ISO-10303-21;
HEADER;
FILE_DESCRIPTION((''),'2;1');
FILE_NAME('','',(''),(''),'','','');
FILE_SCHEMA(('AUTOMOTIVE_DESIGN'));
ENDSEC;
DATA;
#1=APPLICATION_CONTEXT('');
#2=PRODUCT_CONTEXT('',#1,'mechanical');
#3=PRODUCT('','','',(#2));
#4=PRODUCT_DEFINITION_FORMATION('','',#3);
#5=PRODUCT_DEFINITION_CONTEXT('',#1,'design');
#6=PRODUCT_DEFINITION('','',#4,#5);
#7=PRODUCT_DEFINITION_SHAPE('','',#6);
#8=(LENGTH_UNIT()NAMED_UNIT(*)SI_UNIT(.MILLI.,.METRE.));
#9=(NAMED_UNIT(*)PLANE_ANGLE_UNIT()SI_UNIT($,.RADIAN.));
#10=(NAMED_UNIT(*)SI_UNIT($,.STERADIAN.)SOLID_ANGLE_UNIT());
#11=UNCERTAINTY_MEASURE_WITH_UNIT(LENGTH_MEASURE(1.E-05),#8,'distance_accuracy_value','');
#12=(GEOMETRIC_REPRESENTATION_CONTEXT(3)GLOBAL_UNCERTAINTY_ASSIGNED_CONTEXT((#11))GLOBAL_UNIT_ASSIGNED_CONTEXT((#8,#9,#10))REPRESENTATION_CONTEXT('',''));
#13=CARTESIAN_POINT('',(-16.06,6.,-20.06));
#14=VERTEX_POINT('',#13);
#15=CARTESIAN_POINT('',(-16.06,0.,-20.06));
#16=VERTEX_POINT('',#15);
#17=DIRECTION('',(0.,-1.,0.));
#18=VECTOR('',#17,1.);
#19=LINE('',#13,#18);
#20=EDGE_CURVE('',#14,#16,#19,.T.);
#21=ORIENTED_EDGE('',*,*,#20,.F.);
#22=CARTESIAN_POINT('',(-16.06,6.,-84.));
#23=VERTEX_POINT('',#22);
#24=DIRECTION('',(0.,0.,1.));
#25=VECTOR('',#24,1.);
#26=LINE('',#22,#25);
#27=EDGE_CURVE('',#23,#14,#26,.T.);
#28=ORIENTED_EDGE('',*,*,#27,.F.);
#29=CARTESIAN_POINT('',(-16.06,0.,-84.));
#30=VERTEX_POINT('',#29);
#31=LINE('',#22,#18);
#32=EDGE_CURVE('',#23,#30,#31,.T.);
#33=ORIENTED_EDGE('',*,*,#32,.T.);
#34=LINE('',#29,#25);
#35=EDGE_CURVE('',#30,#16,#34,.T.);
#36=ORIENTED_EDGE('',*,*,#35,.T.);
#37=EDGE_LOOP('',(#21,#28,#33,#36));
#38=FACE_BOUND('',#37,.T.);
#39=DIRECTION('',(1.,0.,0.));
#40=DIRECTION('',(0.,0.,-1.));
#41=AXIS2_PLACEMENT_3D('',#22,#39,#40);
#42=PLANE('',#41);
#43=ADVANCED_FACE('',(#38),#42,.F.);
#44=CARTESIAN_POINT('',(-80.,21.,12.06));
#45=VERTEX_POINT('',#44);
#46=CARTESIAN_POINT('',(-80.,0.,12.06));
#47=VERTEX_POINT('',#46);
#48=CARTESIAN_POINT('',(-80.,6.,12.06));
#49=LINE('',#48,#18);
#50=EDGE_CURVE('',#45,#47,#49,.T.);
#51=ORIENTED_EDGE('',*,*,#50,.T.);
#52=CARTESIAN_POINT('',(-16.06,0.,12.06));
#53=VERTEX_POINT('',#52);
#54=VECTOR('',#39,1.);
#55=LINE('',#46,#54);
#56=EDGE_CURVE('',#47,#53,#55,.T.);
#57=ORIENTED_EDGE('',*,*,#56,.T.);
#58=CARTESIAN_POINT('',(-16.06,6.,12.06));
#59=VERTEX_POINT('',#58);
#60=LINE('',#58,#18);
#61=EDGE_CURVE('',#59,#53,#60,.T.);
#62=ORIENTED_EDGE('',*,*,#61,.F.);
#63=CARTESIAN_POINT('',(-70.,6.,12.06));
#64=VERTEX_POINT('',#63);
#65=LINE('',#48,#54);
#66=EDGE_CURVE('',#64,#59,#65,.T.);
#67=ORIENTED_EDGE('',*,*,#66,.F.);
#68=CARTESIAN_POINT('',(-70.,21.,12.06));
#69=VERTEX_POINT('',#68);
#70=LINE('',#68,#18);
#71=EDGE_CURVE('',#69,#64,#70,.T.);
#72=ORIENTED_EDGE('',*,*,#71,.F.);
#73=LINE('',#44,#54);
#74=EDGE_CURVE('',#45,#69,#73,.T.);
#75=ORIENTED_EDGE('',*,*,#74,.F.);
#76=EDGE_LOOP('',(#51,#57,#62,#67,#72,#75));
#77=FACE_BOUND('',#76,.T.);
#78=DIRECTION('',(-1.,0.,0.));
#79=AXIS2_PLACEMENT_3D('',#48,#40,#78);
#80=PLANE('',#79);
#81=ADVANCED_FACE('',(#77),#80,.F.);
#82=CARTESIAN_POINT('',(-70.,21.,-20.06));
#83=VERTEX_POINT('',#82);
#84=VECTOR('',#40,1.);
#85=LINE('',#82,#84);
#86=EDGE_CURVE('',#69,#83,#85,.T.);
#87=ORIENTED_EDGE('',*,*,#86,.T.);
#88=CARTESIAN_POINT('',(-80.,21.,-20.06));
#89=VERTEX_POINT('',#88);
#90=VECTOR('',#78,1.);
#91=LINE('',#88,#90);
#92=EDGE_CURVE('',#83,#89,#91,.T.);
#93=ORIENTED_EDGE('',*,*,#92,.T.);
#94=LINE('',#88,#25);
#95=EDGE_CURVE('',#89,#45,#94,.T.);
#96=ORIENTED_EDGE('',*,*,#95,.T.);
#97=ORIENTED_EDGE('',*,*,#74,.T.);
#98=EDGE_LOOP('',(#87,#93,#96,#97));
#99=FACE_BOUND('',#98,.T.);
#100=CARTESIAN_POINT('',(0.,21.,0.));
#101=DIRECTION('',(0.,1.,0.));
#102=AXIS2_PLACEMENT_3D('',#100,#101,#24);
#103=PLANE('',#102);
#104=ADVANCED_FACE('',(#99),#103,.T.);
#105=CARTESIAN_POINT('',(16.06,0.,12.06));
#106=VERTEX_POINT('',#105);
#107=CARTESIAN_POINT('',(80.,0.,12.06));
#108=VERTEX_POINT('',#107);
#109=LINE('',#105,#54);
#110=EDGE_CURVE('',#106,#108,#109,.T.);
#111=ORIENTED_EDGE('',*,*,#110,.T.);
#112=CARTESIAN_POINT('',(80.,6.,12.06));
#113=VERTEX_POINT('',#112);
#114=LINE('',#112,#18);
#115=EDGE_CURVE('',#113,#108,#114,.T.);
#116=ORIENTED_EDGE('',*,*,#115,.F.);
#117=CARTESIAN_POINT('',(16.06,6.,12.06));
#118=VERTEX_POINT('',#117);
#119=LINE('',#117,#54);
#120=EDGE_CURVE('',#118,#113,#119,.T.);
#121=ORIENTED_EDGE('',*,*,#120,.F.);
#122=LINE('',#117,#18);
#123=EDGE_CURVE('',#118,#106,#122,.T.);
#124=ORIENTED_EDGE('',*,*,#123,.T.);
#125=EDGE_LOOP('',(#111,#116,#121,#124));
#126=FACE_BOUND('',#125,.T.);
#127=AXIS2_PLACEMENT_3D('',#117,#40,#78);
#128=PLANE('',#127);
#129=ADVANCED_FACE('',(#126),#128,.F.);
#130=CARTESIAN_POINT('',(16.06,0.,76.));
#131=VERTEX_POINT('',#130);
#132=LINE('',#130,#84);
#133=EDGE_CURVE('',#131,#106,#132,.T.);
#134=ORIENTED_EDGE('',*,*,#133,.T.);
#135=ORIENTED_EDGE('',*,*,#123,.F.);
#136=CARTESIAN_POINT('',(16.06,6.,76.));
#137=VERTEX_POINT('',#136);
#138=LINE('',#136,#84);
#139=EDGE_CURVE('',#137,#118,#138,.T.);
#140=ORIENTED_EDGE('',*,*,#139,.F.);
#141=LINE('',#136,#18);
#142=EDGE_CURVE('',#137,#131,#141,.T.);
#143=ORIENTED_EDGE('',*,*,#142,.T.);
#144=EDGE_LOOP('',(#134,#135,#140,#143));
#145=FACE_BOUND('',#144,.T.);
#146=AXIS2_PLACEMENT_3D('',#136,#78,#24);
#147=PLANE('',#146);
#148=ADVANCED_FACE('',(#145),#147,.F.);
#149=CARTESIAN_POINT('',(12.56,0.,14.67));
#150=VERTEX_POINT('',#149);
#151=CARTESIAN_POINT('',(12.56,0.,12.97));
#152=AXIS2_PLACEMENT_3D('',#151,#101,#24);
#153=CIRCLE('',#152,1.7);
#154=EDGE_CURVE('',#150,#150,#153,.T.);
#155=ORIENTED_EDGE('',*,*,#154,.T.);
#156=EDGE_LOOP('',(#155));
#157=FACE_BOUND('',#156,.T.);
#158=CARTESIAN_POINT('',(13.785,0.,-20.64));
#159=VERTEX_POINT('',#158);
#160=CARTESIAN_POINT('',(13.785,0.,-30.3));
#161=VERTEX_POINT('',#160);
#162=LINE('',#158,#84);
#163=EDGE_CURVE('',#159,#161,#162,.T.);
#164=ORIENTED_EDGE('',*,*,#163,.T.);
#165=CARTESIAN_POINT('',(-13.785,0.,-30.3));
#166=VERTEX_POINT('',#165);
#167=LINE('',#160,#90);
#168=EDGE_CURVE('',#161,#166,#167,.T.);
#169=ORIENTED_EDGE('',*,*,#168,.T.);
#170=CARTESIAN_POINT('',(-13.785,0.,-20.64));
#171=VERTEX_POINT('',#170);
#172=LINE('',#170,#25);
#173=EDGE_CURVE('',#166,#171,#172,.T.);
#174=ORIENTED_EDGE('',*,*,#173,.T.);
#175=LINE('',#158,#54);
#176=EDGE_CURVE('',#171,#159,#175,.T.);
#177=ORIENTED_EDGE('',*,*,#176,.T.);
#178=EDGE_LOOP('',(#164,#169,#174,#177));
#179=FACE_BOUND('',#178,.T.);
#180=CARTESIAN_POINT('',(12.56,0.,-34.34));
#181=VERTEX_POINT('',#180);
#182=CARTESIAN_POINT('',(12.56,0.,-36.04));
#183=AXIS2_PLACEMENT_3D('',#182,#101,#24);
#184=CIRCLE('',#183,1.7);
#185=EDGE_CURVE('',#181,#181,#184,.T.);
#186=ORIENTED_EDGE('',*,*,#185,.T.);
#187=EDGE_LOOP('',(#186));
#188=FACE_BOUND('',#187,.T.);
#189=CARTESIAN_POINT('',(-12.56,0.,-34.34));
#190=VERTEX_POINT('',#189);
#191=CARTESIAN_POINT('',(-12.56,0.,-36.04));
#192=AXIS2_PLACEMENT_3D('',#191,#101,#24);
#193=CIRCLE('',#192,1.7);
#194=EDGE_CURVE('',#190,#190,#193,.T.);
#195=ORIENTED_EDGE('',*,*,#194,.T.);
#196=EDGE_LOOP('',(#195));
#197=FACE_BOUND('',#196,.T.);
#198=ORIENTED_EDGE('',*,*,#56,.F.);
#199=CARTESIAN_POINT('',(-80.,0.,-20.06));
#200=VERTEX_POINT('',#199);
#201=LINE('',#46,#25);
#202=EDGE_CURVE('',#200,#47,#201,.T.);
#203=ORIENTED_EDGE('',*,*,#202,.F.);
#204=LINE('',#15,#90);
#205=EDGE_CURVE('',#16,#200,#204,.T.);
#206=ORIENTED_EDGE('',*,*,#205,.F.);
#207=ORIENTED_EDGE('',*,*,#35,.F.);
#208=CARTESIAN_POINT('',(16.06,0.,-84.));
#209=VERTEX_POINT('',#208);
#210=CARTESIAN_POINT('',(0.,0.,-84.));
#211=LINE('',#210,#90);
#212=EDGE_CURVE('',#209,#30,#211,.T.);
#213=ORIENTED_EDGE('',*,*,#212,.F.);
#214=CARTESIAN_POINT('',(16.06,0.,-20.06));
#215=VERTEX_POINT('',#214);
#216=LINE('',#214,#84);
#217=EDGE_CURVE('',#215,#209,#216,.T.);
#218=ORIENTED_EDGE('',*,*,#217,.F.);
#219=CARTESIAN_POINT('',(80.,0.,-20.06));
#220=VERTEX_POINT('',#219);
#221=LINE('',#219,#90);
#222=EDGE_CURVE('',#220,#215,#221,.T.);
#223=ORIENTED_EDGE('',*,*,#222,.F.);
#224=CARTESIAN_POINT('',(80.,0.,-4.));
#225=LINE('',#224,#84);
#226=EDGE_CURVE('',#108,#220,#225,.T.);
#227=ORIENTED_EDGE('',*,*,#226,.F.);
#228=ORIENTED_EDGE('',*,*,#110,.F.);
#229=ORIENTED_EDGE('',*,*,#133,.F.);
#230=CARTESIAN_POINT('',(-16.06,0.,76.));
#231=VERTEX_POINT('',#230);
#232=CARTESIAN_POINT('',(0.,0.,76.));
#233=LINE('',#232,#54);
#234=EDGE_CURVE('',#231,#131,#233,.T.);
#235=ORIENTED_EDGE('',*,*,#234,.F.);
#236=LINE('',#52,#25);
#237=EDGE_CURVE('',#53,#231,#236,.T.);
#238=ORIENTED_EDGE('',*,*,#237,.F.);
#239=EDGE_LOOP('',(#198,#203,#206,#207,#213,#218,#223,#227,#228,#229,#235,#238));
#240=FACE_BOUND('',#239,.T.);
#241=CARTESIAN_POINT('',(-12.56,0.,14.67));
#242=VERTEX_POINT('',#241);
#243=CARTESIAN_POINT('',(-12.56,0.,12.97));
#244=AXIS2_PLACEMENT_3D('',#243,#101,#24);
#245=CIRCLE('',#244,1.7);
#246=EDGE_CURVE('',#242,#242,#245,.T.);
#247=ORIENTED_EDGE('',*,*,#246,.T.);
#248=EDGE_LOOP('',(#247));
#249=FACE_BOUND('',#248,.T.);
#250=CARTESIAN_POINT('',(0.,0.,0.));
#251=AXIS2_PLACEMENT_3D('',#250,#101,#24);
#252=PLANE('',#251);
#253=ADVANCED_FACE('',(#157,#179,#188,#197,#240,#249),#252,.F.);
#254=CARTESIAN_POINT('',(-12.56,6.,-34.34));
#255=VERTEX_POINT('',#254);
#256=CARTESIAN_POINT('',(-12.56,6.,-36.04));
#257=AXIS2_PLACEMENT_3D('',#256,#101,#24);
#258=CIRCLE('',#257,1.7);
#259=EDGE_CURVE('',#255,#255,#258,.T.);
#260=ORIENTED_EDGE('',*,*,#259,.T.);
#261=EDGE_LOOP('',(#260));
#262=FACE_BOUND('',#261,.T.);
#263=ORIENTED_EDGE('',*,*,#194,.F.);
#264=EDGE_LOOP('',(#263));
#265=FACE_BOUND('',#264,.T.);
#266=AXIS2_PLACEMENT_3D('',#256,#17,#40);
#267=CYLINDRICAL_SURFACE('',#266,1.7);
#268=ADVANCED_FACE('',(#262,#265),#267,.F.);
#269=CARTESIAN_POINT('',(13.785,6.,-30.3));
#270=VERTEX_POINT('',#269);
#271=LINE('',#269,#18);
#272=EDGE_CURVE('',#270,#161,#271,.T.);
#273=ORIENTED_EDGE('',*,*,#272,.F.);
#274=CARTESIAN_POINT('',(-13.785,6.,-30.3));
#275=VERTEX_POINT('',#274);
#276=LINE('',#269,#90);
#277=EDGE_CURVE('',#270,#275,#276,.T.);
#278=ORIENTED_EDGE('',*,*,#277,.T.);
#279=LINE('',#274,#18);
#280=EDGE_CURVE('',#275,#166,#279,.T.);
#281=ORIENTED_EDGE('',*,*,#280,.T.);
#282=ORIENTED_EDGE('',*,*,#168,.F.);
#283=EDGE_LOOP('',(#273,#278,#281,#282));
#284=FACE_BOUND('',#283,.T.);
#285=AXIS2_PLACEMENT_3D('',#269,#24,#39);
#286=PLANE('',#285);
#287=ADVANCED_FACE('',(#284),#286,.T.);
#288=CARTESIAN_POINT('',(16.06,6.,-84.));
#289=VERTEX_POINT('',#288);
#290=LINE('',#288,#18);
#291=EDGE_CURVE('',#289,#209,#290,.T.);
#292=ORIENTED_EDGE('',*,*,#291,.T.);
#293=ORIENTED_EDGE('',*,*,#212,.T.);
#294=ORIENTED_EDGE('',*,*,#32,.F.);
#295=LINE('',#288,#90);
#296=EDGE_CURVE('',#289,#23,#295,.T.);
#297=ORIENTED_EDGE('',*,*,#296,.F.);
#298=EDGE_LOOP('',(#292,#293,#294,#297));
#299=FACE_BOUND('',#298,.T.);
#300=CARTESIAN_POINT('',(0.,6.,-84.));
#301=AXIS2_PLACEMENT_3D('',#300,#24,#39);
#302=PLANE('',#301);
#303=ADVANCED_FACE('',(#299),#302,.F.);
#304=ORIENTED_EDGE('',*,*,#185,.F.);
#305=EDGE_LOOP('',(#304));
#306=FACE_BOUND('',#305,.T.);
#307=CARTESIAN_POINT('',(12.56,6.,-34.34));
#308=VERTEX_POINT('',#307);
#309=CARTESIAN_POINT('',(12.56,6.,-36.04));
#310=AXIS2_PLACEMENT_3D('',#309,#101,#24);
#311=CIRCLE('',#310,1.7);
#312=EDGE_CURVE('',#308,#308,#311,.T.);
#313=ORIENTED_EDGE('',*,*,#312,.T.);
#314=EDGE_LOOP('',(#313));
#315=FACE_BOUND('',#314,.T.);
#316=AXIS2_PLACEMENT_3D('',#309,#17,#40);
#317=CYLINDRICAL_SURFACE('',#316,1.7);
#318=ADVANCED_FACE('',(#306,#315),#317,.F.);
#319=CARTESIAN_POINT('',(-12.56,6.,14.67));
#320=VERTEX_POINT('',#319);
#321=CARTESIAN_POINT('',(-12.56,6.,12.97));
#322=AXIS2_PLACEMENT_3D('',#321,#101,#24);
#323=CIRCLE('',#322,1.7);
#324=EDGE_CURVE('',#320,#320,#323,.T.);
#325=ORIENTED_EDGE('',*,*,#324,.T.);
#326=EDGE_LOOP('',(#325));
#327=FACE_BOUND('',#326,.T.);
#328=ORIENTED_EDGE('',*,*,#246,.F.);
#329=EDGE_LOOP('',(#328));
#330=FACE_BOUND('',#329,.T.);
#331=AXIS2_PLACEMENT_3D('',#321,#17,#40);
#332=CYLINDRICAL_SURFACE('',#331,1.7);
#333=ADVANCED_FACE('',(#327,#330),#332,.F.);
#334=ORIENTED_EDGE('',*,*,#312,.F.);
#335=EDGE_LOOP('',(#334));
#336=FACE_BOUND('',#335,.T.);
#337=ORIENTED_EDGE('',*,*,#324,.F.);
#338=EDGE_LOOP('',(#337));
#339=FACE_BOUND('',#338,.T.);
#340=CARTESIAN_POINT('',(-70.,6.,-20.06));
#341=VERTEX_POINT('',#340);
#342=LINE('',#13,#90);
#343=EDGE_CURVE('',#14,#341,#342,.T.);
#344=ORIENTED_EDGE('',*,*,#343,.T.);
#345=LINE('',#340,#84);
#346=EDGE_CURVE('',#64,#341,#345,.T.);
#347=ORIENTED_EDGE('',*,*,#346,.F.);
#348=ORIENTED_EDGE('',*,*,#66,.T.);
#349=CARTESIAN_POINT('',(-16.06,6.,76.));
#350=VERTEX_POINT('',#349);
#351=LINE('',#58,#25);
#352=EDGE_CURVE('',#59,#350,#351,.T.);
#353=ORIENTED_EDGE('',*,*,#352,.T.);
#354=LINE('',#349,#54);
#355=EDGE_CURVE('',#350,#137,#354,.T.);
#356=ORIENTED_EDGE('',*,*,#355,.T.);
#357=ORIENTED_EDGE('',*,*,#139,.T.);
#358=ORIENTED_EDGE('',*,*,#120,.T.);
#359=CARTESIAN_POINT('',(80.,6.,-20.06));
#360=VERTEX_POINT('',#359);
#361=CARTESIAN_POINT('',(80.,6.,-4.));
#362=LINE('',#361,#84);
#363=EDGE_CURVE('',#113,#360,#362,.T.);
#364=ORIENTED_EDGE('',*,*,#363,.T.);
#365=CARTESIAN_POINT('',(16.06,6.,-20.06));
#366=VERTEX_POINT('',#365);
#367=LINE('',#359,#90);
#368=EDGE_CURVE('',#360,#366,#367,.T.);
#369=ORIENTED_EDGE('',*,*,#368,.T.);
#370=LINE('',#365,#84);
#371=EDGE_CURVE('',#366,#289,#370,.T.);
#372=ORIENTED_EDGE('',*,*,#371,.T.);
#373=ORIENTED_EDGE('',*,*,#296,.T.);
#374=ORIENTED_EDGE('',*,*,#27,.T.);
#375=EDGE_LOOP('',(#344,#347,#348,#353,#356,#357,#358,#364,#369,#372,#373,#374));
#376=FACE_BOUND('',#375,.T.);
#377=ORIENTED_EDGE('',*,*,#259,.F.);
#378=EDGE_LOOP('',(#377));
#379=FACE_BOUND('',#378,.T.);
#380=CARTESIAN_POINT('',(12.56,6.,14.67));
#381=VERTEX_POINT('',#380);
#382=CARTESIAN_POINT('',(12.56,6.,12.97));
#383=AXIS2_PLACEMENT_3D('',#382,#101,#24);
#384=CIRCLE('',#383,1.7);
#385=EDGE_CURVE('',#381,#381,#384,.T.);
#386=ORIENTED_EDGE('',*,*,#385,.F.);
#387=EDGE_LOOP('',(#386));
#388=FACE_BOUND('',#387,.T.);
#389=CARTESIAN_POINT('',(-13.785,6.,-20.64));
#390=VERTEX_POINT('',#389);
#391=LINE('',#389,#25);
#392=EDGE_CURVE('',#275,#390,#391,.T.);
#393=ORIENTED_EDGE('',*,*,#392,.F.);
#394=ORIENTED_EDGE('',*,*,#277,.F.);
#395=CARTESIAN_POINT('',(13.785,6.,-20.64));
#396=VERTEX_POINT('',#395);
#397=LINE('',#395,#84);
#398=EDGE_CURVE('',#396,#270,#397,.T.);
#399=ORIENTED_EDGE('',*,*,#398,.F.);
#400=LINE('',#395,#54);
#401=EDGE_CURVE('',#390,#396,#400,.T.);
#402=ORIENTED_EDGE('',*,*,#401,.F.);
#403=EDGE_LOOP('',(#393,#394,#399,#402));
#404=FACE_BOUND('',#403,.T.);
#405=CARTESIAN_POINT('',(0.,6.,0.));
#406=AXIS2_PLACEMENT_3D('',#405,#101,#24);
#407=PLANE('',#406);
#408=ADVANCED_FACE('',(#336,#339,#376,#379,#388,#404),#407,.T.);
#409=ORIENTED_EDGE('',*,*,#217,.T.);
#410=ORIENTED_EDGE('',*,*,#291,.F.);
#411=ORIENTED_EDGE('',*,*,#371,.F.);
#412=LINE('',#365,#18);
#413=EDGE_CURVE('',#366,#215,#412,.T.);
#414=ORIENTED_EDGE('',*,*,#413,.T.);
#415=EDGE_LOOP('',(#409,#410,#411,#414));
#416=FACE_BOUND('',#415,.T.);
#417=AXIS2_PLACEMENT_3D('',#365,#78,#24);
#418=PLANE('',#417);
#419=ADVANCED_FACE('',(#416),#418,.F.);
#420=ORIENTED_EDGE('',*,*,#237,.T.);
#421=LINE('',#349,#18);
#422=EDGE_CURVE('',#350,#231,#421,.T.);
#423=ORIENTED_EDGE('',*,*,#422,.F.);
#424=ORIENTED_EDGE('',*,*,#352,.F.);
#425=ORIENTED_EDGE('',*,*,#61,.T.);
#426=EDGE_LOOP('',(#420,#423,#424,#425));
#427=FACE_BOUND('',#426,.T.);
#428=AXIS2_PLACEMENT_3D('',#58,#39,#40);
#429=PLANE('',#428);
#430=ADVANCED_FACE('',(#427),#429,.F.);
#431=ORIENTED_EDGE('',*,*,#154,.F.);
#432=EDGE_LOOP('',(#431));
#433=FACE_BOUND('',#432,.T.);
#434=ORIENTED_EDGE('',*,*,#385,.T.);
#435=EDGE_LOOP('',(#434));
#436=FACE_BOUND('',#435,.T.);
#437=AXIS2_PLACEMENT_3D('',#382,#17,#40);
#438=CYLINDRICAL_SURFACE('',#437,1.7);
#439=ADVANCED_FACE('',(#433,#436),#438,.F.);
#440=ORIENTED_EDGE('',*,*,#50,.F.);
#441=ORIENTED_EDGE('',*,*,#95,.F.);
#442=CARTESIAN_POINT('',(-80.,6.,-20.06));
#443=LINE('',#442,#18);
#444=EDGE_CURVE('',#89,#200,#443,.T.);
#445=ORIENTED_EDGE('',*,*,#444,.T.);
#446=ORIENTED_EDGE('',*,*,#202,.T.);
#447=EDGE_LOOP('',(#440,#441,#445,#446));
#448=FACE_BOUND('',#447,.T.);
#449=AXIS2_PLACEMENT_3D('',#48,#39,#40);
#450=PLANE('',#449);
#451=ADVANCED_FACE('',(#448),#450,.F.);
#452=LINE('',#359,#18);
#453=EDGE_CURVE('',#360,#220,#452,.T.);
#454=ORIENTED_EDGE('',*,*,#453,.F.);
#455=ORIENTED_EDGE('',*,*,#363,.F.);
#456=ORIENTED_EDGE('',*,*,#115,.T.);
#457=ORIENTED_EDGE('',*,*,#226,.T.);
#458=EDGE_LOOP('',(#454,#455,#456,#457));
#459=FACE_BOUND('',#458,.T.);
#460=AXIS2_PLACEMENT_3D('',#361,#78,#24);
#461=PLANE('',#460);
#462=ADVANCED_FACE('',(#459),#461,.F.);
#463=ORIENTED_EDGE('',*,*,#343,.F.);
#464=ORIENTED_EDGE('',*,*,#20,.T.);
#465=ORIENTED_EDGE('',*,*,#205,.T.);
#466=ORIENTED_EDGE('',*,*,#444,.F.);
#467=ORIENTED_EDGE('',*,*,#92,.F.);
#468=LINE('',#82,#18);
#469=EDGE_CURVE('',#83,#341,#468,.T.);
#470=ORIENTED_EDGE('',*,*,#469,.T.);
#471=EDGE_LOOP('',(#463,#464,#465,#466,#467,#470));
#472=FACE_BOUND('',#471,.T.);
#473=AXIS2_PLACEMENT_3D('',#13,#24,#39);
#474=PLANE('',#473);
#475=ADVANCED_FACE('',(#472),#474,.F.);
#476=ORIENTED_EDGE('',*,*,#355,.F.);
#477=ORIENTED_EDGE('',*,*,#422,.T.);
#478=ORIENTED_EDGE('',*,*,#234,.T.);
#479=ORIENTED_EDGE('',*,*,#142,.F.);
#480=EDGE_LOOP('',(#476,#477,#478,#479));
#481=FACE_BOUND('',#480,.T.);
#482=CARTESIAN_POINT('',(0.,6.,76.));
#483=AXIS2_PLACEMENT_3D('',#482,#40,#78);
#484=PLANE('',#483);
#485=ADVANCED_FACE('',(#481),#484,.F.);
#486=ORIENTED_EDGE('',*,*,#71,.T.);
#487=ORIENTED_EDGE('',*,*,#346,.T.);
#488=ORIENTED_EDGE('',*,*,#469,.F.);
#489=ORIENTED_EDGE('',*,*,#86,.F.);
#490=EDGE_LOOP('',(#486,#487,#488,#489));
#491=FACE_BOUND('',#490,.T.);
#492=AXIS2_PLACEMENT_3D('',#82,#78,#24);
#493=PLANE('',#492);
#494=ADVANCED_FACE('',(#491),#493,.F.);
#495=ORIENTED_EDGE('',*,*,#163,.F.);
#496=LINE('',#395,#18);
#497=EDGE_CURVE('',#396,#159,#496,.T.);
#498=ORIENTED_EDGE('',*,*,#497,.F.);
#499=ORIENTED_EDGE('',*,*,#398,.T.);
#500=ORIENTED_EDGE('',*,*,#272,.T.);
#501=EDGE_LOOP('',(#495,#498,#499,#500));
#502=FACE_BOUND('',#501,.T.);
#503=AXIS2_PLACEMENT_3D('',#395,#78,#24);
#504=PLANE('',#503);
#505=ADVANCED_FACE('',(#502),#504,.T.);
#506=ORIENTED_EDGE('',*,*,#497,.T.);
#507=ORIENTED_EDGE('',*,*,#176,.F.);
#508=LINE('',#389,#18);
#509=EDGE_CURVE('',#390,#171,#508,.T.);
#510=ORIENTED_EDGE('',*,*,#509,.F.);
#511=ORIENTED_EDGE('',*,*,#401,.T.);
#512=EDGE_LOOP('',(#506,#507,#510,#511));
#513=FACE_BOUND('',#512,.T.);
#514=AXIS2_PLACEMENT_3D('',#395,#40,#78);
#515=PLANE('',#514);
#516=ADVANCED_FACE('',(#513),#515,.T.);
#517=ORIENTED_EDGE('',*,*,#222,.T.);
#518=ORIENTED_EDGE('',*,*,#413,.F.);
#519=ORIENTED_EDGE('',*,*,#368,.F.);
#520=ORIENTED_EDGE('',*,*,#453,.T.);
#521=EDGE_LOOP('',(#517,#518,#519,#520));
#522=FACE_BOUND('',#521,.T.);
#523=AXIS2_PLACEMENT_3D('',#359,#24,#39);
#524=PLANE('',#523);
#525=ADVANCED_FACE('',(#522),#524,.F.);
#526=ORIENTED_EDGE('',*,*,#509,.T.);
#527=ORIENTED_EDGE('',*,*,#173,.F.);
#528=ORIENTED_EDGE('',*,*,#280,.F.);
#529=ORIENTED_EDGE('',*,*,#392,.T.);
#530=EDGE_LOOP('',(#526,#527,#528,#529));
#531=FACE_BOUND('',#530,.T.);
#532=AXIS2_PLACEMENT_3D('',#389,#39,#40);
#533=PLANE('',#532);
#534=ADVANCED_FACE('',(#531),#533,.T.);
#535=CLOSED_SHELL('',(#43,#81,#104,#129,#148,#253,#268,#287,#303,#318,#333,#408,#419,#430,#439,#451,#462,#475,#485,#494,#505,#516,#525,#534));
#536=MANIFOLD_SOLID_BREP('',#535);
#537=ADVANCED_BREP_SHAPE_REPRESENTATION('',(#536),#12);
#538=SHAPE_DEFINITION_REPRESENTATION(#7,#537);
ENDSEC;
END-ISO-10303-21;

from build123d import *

# Parameters (mm, degrees)
SKETCH21_R           = 1.7
SKETCH21_W           = 27.57
SKETCH21_H           = 9.66
BOSS_EXTRUDE18_DEPTH = 6
SKETCH22_W           = 10
SKETCH22_H           = 32.12
BOSS_EXTRUDE19_DEPTH = 15


with BuildPart() as part:
    # Sketch21 → Boss-Extrude18 (new body)
    with BuildSketch(Plane(origin=(0, 0, 0), x_dir=(1, 0, 0), z_dir=(0, 1, 0))):
        Polygon((0, 84), (-16.06, 84), (-16.06, 20.06), (-80, 20.06), (-80, 4), (-80, -12.06), (-16.06, -12.06), (-16.06, -76), (0, -76), (16.06, -76), (16.06, -12.06), (80, -12.06), (80, 4), (80, 20.06), (16.06, 20.06), (16.06, 84), align=None)
        with Locations(Location((-12.56, 36.04, 0), (0, 0, 270))):
            Circle(SKETCH21_R, mode=Mode.SUBTRACT)
        with Locations(Location((12.56, 36.04, 0), (0, 0, 270))):
            Circle(SKETCH21_R, mode=Mode.SUBTRACT)
        with Locations(Location((12.56, -12.97, 0), (0, 0, 270))):
            Circle(SKETCH21_R, mode=Mode.SUBTRACT)
        with Locations(Location((-12.56, -12.97, 0), (0, 0, 270))):
            Circle(SKETCH21_R, mode=Mode.SUBTRACT)
        with Locations((0, 25.47)):
            Rectangle(SKETCH21_W, SKETCH21_H, mode=Mode.SUBTRACT)
    extrude(amount=BOSS_EXTRUDE18_DEPTH)

    # Sketch22 → Boss-Extrude19 (add)
    with BuildSketch(Plane(origin=(0, 6, 0), x_dir=(1, 0, 0), z_dir=(0, 1, 0))):
        with Locations((-75, 4)):
            Rectangle(SKETCH22_W, SKETCH22_H)
    extrude(amount=BOSS_EXTRUDE19_DEPTH)


solid = part.part
